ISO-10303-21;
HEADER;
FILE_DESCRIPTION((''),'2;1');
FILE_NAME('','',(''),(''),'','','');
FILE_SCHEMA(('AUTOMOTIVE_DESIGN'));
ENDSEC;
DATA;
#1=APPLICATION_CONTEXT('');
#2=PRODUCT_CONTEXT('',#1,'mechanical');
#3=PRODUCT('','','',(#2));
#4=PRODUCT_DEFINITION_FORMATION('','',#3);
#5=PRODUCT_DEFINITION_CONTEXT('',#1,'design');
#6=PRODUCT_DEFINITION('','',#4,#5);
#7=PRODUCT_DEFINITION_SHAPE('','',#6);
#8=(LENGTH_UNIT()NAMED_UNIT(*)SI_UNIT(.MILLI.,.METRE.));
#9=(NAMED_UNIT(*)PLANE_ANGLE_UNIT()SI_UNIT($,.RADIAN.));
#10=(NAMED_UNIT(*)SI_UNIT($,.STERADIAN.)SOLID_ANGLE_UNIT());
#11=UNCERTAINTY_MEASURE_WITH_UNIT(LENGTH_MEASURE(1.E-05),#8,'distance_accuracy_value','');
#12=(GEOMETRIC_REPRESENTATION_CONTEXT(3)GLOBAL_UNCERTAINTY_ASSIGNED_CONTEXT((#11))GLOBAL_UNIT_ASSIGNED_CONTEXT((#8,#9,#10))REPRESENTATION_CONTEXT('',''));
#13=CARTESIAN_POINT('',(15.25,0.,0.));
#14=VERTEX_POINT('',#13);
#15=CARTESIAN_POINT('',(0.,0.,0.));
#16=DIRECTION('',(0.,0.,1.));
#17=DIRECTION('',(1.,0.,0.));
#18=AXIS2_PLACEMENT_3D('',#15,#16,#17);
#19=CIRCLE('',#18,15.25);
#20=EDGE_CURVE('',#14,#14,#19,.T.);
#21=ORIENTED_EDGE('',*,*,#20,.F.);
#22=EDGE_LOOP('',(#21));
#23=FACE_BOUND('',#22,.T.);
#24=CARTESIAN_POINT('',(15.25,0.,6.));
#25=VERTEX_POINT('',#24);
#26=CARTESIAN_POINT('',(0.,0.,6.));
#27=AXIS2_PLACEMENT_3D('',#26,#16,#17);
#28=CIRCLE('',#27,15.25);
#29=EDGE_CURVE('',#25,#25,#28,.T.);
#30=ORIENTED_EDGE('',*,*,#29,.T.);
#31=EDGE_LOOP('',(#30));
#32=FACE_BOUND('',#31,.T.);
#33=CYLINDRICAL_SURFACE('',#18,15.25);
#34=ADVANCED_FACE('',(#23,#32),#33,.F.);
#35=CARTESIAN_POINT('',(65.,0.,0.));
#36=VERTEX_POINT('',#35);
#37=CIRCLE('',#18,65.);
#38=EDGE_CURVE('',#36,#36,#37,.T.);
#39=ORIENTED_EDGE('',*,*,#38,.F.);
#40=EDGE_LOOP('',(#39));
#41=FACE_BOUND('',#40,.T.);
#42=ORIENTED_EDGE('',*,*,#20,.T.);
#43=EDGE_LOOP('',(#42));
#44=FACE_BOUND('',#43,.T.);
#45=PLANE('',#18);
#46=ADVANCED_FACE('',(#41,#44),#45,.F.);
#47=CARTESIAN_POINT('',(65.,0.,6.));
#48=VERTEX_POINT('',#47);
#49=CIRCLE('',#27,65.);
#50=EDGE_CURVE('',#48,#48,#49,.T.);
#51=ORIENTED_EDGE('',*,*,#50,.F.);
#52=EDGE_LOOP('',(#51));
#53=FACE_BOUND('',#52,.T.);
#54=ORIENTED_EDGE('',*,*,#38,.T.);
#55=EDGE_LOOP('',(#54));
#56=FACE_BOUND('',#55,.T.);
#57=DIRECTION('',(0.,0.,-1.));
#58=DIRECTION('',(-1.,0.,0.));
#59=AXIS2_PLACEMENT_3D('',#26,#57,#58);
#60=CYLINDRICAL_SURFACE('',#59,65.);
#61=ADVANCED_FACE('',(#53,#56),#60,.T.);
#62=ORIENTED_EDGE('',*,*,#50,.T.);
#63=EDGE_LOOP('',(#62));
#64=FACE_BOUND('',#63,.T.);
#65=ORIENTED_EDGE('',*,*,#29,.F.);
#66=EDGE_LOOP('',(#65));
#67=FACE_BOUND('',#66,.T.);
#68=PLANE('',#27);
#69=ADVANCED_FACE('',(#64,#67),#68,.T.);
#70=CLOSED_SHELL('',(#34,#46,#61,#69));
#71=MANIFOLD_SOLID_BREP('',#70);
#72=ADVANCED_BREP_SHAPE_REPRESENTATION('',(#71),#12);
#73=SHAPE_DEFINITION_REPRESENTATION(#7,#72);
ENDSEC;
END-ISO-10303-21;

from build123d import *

# Parameters (mm, degrees)
SKETCH1_R           = 65
BOSS_EXTRUDE1_DEPTH = 6
SKETCH2_R           = 15.25
CUT_EXTRUDE1_DEPTH  = 6


with BuildPart() as part:
    # Sketch1 → Boss-Extrude1 (new body)
    with BuildSketch(Plane.XY):
        Circle(SKETCH1_R)
    extrude(amount=BOSS_EXTRUDE1_DEPTH)

    # Sketch2 → Cut-Extrude1 (cut)
    with BuildSketch(Plane.XY.offset(6)):
        Circle(SKETCH2_R)
    extrude(amount=-CUT_EXTRUDE1_DEPTH, mode=Mode.SUBTRACT)


solid = part.part
